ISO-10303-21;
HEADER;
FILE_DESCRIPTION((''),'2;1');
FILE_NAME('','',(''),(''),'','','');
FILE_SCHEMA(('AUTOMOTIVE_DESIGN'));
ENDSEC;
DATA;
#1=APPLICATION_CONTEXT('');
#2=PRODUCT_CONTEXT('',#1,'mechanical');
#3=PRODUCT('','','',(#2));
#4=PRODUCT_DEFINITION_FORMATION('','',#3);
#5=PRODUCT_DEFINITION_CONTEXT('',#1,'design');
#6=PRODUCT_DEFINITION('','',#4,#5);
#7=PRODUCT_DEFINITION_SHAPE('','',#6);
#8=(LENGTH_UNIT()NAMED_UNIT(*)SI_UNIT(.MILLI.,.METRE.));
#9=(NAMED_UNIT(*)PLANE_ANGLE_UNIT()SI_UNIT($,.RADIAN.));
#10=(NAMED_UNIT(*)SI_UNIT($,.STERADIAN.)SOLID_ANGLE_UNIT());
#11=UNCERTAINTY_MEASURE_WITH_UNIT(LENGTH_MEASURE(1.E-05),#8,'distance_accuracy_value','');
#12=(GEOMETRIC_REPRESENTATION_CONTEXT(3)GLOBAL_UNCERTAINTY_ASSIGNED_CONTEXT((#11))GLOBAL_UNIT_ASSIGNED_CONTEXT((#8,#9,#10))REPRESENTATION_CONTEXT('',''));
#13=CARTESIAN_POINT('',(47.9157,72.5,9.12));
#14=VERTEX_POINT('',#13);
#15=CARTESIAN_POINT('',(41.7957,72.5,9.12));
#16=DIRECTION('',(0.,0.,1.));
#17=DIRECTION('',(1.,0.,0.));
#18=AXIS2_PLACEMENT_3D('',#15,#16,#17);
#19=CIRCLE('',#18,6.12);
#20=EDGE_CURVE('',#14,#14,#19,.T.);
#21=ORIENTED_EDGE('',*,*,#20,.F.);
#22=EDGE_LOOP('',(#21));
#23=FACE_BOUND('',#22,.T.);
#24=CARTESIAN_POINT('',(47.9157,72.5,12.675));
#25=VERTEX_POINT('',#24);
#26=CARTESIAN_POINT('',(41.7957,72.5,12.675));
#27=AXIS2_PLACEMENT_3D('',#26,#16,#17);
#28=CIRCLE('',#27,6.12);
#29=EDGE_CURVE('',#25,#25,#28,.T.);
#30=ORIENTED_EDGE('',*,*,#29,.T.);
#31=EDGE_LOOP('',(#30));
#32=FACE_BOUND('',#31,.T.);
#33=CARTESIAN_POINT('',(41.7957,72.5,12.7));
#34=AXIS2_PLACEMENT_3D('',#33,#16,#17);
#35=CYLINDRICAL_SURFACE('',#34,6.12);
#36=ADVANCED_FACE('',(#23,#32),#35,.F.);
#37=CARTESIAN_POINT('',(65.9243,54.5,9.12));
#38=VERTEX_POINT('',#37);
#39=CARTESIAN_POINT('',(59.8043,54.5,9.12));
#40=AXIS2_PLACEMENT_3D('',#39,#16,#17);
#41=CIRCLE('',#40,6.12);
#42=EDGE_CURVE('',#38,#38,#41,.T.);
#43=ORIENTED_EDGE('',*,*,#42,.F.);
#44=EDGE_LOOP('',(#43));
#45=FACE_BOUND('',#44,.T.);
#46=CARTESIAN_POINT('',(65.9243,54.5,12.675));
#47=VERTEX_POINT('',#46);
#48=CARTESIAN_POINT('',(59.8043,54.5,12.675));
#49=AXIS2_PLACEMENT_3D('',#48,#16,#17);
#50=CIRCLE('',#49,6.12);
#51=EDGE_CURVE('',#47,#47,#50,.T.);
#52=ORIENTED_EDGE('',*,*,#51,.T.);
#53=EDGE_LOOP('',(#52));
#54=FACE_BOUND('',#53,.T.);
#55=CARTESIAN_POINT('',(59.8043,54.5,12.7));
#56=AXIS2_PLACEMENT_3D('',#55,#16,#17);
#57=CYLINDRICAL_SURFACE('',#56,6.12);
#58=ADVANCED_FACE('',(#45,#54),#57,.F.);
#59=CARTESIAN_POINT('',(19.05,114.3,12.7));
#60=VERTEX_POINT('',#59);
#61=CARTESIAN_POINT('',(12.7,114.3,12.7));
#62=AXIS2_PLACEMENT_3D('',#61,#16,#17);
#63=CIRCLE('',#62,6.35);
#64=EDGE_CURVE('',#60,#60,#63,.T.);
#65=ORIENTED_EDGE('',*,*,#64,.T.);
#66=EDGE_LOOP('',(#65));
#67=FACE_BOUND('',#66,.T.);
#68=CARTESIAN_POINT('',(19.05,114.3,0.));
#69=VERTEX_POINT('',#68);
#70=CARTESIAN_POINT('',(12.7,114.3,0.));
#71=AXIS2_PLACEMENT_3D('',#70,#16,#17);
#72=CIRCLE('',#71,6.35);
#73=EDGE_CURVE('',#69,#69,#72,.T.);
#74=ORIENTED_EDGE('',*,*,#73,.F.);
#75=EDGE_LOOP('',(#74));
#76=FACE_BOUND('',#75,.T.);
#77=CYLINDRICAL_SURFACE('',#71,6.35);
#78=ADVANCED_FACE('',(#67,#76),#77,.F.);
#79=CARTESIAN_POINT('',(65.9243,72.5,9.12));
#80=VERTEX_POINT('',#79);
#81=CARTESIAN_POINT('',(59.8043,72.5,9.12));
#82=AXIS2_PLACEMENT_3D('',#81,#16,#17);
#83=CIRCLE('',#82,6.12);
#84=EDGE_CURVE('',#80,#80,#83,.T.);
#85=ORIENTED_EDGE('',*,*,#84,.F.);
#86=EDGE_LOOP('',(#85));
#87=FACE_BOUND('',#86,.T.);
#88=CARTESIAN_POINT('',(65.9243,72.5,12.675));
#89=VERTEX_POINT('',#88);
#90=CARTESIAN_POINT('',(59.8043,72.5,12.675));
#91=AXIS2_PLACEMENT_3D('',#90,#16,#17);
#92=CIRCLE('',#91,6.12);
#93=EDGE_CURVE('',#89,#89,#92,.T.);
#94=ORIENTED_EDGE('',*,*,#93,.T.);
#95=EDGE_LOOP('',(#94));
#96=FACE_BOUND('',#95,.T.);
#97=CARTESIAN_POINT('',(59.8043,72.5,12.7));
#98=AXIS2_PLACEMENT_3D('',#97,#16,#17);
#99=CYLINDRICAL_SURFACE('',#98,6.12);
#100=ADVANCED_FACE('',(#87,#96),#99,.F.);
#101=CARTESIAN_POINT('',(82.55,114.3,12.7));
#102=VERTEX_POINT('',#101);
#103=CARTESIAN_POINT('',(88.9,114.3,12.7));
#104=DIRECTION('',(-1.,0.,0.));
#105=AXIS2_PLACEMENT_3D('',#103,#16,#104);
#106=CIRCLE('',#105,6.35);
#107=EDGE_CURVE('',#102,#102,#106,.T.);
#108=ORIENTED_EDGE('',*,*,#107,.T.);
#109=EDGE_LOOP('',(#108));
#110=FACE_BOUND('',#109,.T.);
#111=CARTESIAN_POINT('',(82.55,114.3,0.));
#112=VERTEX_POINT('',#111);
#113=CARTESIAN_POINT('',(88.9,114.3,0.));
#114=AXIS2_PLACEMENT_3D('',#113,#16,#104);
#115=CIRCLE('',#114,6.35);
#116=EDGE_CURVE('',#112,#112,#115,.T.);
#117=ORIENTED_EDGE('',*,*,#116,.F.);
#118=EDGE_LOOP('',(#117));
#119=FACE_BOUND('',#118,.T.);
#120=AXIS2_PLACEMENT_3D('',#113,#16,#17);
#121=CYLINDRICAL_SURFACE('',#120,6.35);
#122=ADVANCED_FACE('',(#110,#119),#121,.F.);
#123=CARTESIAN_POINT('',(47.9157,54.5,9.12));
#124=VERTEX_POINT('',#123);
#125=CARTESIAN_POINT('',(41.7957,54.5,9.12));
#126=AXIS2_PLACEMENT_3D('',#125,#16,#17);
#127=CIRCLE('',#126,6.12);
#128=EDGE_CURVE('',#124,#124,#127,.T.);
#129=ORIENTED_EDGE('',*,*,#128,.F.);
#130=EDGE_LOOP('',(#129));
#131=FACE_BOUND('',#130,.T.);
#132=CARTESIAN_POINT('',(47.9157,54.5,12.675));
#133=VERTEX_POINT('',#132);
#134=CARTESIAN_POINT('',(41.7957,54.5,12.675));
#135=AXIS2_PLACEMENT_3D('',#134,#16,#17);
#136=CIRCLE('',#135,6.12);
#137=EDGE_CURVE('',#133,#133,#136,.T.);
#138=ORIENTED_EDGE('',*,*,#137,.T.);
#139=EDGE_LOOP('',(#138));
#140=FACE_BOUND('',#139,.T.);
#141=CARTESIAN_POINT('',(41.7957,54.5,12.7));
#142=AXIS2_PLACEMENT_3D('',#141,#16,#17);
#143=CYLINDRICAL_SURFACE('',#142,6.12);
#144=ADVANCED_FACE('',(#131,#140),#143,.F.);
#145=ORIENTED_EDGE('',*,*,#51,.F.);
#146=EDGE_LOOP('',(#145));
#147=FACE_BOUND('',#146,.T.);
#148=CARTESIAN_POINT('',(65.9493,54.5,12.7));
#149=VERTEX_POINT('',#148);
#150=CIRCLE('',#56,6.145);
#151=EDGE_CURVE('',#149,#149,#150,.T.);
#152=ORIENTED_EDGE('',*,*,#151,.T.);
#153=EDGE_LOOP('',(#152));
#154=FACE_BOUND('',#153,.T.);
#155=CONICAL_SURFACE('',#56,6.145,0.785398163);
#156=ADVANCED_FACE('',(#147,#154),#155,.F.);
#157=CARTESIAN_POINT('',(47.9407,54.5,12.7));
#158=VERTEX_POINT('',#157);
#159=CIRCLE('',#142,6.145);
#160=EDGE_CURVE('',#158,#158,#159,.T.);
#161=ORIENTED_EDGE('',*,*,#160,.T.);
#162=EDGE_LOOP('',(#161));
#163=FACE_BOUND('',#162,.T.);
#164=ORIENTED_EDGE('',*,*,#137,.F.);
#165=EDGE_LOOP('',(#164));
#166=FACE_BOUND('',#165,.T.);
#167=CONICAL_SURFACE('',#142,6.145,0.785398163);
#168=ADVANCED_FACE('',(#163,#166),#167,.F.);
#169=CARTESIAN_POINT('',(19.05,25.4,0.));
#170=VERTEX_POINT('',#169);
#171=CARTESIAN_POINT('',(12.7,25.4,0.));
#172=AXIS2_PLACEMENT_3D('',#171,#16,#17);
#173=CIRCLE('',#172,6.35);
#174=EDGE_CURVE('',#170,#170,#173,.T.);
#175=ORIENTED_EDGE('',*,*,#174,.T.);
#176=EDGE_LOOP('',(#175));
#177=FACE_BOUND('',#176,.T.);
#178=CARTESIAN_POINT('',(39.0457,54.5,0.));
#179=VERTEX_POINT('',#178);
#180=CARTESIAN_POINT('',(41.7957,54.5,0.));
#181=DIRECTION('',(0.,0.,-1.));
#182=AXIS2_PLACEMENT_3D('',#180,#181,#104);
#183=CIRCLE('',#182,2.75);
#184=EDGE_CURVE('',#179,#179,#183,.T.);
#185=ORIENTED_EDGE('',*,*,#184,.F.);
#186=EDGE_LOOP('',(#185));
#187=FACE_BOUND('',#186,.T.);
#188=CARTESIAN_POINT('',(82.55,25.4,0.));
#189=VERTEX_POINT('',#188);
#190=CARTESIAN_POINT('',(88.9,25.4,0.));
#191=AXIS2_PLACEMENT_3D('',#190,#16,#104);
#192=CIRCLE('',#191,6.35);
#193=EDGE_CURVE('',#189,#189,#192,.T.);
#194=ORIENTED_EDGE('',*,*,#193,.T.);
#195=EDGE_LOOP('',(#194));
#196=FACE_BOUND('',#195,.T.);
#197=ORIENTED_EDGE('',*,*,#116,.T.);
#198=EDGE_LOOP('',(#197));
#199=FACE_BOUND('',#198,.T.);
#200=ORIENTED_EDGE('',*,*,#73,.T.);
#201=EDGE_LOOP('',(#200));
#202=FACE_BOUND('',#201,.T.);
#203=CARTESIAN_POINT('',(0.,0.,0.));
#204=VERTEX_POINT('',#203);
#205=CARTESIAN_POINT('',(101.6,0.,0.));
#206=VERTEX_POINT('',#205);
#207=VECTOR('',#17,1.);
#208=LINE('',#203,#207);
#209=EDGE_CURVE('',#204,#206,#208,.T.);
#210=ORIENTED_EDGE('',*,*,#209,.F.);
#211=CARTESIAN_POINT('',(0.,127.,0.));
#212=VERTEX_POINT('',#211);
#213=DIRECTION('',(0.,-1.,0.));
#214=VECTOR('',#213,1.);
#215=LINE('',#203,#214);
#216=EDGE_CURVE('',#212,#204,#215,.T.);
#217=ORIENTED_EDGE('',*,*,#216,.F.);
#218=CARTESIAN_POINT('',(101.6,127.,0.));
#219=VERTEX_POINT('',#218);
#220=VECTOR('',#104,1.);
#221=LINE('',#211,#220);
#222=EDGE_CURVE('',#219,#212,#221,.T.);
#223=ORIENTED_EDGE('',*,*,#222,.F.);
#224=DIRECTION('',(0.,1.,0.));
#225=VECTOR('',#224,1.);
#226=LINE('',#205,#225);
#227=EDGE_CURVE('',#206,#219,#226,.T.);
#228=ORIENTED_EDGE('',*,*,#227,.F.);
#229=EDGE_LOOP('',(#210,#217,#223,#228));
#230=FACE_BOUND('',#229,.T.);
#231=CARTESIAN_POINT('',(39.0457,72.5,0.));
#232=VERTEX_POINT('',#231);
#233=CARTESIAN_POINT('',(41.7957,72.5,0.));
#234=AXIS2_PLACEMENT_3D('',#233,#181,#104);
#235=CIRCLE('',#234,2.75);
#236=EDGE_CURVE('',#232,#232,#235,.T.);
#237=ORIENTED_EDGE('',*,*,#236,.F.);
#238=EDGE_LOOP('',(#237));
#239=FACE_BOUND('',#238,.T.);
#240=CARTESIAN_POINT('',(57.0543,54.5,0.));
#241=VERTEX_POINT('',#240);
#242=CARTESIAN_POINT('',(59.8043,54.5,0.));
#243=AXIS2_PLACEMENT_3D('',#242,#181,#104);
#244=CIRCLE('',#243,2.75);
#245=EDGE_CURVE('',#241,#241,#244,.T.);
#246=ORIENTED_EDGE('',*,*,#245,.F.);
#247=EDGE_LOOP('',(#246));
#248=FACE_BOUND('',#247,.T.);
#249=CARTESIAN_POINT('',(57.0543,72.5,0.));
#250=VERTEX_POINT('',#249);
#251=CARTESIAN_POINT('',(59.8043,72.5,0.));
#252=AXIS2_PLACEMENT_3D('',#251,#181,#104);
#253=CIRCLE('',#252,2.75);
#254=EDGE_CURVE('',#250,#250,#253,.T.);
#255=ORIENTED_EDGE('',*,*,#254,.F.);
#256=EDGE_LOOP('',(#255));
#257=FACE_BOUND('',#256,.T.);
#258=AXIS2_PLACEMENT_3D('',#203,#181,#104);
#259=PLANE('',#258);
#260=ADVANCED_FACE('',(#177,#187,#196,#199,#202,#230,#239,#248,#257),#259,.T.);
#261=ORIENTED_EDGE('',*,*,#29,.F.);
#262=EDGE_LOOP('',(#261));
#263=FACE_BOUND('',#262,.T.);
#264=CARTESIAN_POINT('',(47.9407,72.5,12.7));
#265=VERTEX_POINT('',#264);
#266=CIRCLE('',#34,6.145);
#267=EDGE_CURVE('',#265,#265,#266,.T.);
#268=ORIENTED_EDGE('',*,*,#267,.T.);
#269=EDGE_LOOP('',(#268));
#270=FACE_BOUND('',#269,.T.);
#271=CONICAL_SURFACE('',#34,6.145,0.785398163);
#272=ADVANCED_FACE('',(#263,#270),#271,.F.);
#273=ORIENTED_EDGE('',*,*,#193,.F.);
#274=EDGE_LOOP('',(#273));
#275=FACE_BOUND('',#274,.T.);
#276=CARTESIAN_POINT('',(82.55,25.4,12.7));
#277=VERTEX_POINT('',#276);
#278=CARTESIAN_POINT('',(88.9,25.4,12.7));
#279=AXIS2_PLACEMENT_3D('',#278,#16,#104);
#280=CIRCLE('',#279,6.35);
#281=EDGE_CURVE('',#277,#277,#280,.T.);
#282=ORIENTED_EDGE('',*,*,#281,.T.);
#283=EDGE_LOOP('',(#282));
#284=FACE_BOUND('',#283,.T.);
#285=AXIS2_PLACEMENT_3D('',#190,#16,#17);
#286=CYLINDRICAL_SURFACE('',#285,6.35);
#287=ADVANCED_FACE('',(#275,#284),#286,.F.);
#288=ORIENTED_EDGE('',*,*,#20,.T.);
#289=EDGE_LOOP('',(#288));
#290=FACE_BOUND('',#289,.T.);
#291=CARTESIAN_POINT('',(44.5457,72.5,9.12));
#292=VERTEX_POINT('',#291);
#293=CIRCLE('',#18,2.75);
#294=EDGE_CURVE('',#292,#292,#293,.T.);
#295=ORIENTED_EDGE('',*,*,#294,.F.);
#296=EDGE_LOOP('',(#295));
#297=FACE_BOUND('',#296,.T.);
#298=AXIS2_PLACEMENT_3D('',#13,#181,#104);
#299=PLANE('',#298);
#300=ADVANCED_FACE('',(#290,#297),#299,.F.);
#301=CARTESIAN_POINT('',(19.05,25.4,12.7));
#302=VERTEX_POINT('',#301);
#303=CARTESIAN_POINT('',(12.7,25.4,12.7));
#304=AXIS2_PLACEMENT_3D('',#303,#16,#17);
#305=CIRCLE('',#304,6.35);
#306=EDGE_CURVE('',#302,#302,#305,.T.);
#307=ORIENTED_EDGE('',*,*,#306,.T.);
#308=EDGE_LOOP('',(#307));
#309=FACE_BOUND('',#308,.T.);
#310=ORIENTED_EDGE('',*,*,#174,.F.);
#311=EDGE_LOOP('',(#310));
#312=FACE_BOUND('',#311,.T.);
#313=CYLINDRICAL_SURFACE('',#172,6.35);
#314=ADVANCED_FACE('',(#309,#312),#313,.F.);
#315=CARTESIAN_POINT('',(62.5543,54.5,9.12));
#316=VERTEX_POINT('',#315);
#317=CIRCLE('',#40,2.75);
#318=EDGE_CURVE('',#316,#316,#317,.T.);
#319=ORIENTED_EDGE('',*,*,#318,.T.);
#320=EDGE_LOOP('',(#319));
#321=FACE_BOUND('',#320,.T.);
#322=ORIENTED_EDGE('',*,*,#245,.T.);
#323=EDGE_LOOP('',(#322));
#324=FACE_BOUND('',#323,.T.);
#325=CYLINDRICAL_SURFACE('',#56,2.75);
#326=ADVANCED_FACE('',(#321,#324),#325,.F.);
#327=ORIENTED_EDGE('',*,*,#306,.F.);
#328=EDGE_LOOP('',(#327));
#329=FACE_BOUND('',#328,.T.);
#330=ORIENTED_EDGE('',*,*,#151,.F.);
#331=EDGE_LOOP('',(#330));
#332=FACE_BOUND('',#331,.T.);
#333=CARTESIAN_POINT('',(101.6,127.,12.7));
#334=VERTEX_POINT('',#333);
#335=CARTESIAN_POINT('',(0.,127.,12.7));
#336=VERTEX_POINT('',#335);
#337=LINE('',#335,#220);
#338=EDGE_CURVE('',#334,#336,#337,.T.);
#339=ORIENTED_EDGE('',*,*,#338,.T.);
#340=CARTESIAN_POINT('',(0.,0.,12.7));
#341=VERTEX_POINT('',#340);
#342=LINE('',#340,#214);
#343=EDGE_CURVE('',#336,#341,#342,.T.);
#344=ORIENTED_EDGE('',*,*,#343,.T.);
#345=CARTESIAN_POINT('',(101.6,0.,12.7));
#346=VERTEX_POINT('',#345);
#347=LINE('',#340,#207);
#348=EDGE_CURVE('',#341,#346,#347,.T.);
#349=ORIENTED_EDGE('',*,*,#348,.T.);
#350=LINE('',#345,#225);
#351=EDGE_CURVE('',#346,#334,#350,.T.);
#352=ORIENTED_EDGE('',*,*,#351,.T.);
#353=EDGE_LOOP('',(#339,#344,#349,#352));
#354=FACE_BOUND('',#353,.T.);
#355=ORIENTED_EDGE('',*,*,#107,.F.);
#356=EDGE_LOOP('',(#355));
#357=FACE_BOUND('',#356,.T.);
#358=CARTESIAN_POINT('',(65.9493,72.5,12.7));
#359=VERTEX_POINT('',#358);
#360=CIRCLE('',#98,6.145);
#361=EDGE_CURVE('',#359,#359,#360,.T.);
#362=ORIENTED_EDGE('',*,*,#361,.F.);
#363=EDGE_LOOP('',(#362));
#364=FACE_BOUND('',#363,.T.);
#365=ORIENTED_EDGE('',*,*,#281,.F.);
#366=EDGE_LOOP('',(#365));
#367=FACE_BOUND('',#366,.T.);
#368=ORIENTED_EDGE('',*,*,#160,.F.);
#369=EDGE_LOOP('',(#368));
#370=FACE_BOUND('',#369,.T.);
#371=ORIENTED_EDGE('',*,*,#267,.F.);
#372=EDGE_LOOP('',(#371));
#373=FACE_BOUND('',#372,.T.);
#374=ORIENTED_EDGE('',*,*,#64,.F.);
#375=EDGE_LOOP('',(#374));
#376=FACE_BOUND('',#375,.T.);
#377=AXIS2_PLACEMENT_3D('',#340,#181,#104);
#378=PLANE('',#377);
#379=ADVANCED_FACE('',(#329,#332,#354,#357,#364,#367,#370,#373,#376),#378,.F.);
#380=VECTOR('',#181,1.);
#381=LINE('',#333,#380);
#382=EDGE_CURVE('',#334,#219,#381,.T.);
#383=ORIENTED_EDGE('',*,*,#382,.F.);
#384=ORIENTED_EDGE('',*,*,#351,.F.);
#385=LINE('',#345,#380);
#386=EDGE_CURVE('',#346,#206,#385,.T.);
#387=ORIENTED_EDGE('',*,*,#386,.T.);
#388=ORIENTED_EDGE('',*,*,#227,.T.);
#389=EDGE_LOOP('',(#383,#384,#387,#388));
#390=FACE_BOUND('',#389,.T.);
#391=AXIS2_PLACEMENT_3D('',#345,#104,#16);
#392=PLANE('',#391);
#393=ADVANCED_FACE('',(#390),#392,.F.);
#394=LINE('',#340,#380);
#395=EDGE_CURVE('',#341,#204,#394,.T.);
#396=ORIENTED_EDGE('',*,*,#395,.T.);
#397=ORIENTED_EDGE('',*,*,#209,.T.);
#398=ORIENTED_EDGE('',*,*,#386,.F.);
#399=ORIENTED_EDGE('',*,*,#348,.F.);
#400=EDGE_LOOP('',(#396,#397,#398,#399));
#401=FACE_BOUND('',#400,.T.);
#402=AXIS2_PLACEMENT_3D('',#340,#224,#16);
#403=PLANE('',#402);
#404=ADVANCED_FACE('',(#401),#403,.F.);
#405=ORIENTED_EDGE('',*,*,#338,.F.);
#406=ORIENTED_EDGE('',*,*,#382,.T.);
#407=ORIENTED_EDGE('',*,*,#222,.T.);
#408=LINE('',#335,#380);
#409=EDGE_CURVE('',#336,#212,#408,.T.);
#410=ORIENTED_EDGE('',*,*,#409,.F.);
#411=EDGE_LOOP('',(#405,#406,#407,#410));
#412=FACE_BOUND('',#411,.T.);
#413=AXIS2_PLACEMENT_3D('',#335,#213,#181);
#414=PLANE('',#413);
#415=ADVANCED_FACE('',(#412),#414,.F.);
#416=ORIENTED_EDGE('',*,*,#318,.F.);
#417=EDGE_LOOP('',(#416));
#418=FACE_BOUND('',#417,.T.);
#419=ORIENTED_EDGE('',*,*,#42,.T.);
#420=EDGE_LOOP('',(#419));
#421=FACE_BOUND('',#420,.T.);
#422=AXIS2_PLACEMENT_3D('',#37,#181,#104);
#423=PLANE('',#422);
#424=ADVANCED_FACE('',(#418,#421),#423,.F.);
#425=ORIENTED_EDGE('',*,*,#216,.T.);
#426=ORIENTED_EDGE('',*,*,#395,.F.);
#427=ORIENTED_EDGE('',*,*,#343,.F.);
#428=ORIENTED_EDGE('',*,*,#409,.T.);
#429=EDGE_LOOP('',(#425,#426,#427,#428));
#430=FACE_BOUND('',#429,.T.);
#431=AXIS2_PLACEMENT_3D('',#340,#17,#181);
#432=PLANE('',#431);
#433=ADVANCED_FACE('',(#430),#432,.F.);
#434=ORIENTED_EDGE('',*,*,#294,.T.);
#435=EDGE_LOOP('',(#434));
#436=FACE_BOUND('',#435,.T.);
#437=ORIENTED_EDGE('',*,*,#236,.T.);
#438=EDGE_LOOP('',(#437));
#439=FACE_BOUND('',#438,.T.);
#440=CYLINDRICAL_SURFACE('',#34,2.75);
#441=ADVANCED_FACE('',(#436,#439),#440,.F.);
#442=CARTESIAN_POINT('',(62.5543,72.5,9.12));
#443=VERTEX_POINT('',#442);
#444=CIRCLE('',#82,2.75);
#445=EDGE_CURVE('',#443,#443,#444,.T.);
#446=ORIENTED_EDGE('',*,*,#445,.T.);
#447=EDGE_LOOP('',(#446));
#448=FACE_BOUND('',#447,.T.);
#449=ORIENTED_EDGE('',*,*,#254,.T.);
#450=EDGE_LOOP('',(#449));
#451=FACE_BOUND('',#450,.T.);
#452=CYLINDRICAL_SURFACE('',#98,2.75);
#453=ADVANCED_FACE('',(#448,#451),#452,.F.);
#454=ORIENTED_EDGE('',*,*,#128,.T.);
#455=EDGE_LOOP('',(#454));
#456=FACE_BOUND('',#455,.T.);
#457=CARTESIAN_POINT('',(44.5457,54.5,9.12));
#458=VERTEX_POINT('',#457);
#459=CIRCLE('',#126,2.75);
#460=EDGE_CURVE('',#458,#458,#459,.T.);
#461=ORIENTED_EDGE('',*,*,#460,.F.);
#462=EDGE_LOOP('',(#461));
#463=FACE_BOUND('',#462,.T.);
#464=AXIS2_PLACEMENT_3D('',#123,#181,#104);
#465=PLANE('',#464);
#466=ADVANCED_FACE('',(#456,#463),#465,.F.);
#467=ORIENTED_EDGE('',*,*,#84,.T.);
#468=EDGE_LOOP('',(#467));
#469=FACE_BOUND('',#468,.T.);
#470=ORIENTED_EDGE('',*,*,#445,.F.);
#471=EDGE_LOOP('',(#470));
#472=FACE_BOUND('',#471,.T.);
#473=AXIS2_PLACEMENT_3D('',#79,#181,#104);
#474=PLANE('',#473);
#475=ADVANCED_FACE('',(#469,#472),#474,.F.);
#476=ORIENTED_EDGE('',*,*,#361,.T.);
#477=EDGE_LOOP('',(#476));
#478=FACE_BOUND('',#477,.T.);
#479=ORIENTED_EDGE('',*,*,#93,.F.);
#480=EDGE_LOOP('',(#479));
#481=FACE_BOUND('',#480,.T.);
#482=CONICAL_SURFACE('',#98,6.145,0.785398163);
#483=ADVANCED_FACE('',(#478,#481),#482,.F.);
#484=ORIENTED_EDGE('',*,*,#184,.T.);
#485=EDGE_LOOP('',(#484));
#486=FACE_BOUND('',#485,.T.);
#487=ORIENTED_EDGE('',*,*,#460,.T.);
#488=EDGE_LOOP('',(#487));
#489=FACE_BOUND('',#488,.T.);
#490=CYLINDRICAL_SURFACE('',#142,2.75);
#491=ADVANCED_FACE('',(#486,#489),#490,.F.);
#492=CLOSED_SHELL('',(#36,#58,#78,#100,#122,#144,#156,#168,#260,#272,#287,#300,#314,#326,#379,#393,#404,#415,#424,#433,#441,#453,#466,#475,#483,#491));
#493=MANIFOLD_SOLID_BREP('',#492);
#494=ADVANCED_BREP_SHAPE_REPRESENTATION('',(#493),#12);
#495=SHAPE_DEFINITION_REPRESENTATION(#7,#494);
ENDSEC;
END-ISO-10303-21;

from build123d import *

# Parameters (mm, degrees)
SKETCH1_W                              = 101.6
SKETCH1_H                              = 127
BOSS_EXTRUDE1_DEPTH                    = 12.7
SKETCH4_R                              = 6.35
CUT_EXTRUDE9_DEPTH                     = 164.134453749
CBORE_FOR_M5_HEX_HEAD_BOLT1_AT_2_COUNT = 2
CBORE_FOR_M5_HEX_HEAD_BOLT1_AT_2_PITCH = 18.0086
CBORE_FOR_M5_HEX_HEAD_BOLT1_AT_3_COUNT = 2
CBORE_FOR_M5_HEX_HEAD_BOLT1_AT_3_PITCH = 25.461925967
CBORE_FOR_M5_HEX_HEAD_BOLT1_AT_4_COUNT = 2
CBORE_FOR_M5_HEX_HEAD_BOLT1_AT_4_PITCH = 18


with BuildPart() as part:
    # Sketch1 → Boss-Extrude1 (new body)
    with BuildSketch(Plane.XY):
        with Locations((50.8, 63.5)):
            Rectangle(SKETCH1_W, SKETCH1_H)
    extrude(amount=BOSS_EXTRUDE1_DEPTH)

    # Sketch4 → Cut-Extrude9 (cut, through all)
    with BuildSketch(Plane.XY.offset(12.7)):
        with Locations((12.7, 114.3)):
            Circle(SKETCH4_R)
        with Locations((12.7, 25.4)):
            Circle(SKETCH4_R)
        with Locations(Location((88.9, 25.4, 0), (0, 0, 180))):
            Circle(SKETCH4_R)
        with Locations(Location((88.9, 114.3, 0), (0, 0, 180))):
            Circle(SKETCH4_R)
    extrude(amount=-CUT_EXTRUDE9_DEPTH, mode=Mode.SUBTRACT)

    # Sketch8 → CBORE for M5 Hex Head Bolt1 (revolve, cut)
    with BuildSketch(Plane(origin=(41.7957, 72.5, 12.7), x_dir=(0, -1, 0), z_dir=(1, 0, 0))):
        Polygon((0, 0), (0, 12.7), (2.75, 12.7), (2.75, 3.58), (6.12, 3.58), (6.12, 0.025), (6.145, 0), align=None)
    cbore_for_m5_hex_head_bolt1 = revolve(axis=Axis((41.7957, 72.5, 19.05), (0, 0, -1)), mode=Mode.SUBTRACT)

    # CBORE for M5 Hex Head Bolt1 at 2: CBORE for M5 Hex Head Bolt1 ×2
    with Locations(*[(i * CBORE_FOR_M5_HEX_HEAD_BOLT1_AT_2_PITCH, 0, 0) for i in range(1, CBORE_FOR_M5_HEX_HEAD_BOLT1_AT_2_COUNT)]):
        add(cbore_for_m5_hex_head_bolt1, mode=Mode.SUBTRACT)

    # CBORE for M5 Hex Head Bolt1 at 3: CBORE for M5 Hex Head Bolt1 ×2
    with Locations(*[Vector(0.7072756406246394, -0.7069378814146302, 0) * (i * CBORE_FOR_M5_HEX_HEAD_BOLT1_AT_3_PITCH) for i in range(1, CBORE_FOR_M5_HEX_HEAD_BOLT1_AT_3_COUNT)]):
        add(cbore_for_m5_hex_head_bolt1, mode=Mode.SUBTRACT)

    # CBORE for M5 Hex Head Bolt1 at 4: CBORE for M5 Hex Head Bolt1 ×2
    with Locations(*[(0, -i * CBORE_FOR_M5_HEX_HEAD_BOLT1_AT_4_PITCH, 0) for i in range(1, CBORE_FOR_M5_HEX_HEAD_BOLT1_AT_4_COUNT)]):
        add(cbore_for_m5_hex_head_bolt1, mode=Mode.SUBTRACT)


solid = part.part
